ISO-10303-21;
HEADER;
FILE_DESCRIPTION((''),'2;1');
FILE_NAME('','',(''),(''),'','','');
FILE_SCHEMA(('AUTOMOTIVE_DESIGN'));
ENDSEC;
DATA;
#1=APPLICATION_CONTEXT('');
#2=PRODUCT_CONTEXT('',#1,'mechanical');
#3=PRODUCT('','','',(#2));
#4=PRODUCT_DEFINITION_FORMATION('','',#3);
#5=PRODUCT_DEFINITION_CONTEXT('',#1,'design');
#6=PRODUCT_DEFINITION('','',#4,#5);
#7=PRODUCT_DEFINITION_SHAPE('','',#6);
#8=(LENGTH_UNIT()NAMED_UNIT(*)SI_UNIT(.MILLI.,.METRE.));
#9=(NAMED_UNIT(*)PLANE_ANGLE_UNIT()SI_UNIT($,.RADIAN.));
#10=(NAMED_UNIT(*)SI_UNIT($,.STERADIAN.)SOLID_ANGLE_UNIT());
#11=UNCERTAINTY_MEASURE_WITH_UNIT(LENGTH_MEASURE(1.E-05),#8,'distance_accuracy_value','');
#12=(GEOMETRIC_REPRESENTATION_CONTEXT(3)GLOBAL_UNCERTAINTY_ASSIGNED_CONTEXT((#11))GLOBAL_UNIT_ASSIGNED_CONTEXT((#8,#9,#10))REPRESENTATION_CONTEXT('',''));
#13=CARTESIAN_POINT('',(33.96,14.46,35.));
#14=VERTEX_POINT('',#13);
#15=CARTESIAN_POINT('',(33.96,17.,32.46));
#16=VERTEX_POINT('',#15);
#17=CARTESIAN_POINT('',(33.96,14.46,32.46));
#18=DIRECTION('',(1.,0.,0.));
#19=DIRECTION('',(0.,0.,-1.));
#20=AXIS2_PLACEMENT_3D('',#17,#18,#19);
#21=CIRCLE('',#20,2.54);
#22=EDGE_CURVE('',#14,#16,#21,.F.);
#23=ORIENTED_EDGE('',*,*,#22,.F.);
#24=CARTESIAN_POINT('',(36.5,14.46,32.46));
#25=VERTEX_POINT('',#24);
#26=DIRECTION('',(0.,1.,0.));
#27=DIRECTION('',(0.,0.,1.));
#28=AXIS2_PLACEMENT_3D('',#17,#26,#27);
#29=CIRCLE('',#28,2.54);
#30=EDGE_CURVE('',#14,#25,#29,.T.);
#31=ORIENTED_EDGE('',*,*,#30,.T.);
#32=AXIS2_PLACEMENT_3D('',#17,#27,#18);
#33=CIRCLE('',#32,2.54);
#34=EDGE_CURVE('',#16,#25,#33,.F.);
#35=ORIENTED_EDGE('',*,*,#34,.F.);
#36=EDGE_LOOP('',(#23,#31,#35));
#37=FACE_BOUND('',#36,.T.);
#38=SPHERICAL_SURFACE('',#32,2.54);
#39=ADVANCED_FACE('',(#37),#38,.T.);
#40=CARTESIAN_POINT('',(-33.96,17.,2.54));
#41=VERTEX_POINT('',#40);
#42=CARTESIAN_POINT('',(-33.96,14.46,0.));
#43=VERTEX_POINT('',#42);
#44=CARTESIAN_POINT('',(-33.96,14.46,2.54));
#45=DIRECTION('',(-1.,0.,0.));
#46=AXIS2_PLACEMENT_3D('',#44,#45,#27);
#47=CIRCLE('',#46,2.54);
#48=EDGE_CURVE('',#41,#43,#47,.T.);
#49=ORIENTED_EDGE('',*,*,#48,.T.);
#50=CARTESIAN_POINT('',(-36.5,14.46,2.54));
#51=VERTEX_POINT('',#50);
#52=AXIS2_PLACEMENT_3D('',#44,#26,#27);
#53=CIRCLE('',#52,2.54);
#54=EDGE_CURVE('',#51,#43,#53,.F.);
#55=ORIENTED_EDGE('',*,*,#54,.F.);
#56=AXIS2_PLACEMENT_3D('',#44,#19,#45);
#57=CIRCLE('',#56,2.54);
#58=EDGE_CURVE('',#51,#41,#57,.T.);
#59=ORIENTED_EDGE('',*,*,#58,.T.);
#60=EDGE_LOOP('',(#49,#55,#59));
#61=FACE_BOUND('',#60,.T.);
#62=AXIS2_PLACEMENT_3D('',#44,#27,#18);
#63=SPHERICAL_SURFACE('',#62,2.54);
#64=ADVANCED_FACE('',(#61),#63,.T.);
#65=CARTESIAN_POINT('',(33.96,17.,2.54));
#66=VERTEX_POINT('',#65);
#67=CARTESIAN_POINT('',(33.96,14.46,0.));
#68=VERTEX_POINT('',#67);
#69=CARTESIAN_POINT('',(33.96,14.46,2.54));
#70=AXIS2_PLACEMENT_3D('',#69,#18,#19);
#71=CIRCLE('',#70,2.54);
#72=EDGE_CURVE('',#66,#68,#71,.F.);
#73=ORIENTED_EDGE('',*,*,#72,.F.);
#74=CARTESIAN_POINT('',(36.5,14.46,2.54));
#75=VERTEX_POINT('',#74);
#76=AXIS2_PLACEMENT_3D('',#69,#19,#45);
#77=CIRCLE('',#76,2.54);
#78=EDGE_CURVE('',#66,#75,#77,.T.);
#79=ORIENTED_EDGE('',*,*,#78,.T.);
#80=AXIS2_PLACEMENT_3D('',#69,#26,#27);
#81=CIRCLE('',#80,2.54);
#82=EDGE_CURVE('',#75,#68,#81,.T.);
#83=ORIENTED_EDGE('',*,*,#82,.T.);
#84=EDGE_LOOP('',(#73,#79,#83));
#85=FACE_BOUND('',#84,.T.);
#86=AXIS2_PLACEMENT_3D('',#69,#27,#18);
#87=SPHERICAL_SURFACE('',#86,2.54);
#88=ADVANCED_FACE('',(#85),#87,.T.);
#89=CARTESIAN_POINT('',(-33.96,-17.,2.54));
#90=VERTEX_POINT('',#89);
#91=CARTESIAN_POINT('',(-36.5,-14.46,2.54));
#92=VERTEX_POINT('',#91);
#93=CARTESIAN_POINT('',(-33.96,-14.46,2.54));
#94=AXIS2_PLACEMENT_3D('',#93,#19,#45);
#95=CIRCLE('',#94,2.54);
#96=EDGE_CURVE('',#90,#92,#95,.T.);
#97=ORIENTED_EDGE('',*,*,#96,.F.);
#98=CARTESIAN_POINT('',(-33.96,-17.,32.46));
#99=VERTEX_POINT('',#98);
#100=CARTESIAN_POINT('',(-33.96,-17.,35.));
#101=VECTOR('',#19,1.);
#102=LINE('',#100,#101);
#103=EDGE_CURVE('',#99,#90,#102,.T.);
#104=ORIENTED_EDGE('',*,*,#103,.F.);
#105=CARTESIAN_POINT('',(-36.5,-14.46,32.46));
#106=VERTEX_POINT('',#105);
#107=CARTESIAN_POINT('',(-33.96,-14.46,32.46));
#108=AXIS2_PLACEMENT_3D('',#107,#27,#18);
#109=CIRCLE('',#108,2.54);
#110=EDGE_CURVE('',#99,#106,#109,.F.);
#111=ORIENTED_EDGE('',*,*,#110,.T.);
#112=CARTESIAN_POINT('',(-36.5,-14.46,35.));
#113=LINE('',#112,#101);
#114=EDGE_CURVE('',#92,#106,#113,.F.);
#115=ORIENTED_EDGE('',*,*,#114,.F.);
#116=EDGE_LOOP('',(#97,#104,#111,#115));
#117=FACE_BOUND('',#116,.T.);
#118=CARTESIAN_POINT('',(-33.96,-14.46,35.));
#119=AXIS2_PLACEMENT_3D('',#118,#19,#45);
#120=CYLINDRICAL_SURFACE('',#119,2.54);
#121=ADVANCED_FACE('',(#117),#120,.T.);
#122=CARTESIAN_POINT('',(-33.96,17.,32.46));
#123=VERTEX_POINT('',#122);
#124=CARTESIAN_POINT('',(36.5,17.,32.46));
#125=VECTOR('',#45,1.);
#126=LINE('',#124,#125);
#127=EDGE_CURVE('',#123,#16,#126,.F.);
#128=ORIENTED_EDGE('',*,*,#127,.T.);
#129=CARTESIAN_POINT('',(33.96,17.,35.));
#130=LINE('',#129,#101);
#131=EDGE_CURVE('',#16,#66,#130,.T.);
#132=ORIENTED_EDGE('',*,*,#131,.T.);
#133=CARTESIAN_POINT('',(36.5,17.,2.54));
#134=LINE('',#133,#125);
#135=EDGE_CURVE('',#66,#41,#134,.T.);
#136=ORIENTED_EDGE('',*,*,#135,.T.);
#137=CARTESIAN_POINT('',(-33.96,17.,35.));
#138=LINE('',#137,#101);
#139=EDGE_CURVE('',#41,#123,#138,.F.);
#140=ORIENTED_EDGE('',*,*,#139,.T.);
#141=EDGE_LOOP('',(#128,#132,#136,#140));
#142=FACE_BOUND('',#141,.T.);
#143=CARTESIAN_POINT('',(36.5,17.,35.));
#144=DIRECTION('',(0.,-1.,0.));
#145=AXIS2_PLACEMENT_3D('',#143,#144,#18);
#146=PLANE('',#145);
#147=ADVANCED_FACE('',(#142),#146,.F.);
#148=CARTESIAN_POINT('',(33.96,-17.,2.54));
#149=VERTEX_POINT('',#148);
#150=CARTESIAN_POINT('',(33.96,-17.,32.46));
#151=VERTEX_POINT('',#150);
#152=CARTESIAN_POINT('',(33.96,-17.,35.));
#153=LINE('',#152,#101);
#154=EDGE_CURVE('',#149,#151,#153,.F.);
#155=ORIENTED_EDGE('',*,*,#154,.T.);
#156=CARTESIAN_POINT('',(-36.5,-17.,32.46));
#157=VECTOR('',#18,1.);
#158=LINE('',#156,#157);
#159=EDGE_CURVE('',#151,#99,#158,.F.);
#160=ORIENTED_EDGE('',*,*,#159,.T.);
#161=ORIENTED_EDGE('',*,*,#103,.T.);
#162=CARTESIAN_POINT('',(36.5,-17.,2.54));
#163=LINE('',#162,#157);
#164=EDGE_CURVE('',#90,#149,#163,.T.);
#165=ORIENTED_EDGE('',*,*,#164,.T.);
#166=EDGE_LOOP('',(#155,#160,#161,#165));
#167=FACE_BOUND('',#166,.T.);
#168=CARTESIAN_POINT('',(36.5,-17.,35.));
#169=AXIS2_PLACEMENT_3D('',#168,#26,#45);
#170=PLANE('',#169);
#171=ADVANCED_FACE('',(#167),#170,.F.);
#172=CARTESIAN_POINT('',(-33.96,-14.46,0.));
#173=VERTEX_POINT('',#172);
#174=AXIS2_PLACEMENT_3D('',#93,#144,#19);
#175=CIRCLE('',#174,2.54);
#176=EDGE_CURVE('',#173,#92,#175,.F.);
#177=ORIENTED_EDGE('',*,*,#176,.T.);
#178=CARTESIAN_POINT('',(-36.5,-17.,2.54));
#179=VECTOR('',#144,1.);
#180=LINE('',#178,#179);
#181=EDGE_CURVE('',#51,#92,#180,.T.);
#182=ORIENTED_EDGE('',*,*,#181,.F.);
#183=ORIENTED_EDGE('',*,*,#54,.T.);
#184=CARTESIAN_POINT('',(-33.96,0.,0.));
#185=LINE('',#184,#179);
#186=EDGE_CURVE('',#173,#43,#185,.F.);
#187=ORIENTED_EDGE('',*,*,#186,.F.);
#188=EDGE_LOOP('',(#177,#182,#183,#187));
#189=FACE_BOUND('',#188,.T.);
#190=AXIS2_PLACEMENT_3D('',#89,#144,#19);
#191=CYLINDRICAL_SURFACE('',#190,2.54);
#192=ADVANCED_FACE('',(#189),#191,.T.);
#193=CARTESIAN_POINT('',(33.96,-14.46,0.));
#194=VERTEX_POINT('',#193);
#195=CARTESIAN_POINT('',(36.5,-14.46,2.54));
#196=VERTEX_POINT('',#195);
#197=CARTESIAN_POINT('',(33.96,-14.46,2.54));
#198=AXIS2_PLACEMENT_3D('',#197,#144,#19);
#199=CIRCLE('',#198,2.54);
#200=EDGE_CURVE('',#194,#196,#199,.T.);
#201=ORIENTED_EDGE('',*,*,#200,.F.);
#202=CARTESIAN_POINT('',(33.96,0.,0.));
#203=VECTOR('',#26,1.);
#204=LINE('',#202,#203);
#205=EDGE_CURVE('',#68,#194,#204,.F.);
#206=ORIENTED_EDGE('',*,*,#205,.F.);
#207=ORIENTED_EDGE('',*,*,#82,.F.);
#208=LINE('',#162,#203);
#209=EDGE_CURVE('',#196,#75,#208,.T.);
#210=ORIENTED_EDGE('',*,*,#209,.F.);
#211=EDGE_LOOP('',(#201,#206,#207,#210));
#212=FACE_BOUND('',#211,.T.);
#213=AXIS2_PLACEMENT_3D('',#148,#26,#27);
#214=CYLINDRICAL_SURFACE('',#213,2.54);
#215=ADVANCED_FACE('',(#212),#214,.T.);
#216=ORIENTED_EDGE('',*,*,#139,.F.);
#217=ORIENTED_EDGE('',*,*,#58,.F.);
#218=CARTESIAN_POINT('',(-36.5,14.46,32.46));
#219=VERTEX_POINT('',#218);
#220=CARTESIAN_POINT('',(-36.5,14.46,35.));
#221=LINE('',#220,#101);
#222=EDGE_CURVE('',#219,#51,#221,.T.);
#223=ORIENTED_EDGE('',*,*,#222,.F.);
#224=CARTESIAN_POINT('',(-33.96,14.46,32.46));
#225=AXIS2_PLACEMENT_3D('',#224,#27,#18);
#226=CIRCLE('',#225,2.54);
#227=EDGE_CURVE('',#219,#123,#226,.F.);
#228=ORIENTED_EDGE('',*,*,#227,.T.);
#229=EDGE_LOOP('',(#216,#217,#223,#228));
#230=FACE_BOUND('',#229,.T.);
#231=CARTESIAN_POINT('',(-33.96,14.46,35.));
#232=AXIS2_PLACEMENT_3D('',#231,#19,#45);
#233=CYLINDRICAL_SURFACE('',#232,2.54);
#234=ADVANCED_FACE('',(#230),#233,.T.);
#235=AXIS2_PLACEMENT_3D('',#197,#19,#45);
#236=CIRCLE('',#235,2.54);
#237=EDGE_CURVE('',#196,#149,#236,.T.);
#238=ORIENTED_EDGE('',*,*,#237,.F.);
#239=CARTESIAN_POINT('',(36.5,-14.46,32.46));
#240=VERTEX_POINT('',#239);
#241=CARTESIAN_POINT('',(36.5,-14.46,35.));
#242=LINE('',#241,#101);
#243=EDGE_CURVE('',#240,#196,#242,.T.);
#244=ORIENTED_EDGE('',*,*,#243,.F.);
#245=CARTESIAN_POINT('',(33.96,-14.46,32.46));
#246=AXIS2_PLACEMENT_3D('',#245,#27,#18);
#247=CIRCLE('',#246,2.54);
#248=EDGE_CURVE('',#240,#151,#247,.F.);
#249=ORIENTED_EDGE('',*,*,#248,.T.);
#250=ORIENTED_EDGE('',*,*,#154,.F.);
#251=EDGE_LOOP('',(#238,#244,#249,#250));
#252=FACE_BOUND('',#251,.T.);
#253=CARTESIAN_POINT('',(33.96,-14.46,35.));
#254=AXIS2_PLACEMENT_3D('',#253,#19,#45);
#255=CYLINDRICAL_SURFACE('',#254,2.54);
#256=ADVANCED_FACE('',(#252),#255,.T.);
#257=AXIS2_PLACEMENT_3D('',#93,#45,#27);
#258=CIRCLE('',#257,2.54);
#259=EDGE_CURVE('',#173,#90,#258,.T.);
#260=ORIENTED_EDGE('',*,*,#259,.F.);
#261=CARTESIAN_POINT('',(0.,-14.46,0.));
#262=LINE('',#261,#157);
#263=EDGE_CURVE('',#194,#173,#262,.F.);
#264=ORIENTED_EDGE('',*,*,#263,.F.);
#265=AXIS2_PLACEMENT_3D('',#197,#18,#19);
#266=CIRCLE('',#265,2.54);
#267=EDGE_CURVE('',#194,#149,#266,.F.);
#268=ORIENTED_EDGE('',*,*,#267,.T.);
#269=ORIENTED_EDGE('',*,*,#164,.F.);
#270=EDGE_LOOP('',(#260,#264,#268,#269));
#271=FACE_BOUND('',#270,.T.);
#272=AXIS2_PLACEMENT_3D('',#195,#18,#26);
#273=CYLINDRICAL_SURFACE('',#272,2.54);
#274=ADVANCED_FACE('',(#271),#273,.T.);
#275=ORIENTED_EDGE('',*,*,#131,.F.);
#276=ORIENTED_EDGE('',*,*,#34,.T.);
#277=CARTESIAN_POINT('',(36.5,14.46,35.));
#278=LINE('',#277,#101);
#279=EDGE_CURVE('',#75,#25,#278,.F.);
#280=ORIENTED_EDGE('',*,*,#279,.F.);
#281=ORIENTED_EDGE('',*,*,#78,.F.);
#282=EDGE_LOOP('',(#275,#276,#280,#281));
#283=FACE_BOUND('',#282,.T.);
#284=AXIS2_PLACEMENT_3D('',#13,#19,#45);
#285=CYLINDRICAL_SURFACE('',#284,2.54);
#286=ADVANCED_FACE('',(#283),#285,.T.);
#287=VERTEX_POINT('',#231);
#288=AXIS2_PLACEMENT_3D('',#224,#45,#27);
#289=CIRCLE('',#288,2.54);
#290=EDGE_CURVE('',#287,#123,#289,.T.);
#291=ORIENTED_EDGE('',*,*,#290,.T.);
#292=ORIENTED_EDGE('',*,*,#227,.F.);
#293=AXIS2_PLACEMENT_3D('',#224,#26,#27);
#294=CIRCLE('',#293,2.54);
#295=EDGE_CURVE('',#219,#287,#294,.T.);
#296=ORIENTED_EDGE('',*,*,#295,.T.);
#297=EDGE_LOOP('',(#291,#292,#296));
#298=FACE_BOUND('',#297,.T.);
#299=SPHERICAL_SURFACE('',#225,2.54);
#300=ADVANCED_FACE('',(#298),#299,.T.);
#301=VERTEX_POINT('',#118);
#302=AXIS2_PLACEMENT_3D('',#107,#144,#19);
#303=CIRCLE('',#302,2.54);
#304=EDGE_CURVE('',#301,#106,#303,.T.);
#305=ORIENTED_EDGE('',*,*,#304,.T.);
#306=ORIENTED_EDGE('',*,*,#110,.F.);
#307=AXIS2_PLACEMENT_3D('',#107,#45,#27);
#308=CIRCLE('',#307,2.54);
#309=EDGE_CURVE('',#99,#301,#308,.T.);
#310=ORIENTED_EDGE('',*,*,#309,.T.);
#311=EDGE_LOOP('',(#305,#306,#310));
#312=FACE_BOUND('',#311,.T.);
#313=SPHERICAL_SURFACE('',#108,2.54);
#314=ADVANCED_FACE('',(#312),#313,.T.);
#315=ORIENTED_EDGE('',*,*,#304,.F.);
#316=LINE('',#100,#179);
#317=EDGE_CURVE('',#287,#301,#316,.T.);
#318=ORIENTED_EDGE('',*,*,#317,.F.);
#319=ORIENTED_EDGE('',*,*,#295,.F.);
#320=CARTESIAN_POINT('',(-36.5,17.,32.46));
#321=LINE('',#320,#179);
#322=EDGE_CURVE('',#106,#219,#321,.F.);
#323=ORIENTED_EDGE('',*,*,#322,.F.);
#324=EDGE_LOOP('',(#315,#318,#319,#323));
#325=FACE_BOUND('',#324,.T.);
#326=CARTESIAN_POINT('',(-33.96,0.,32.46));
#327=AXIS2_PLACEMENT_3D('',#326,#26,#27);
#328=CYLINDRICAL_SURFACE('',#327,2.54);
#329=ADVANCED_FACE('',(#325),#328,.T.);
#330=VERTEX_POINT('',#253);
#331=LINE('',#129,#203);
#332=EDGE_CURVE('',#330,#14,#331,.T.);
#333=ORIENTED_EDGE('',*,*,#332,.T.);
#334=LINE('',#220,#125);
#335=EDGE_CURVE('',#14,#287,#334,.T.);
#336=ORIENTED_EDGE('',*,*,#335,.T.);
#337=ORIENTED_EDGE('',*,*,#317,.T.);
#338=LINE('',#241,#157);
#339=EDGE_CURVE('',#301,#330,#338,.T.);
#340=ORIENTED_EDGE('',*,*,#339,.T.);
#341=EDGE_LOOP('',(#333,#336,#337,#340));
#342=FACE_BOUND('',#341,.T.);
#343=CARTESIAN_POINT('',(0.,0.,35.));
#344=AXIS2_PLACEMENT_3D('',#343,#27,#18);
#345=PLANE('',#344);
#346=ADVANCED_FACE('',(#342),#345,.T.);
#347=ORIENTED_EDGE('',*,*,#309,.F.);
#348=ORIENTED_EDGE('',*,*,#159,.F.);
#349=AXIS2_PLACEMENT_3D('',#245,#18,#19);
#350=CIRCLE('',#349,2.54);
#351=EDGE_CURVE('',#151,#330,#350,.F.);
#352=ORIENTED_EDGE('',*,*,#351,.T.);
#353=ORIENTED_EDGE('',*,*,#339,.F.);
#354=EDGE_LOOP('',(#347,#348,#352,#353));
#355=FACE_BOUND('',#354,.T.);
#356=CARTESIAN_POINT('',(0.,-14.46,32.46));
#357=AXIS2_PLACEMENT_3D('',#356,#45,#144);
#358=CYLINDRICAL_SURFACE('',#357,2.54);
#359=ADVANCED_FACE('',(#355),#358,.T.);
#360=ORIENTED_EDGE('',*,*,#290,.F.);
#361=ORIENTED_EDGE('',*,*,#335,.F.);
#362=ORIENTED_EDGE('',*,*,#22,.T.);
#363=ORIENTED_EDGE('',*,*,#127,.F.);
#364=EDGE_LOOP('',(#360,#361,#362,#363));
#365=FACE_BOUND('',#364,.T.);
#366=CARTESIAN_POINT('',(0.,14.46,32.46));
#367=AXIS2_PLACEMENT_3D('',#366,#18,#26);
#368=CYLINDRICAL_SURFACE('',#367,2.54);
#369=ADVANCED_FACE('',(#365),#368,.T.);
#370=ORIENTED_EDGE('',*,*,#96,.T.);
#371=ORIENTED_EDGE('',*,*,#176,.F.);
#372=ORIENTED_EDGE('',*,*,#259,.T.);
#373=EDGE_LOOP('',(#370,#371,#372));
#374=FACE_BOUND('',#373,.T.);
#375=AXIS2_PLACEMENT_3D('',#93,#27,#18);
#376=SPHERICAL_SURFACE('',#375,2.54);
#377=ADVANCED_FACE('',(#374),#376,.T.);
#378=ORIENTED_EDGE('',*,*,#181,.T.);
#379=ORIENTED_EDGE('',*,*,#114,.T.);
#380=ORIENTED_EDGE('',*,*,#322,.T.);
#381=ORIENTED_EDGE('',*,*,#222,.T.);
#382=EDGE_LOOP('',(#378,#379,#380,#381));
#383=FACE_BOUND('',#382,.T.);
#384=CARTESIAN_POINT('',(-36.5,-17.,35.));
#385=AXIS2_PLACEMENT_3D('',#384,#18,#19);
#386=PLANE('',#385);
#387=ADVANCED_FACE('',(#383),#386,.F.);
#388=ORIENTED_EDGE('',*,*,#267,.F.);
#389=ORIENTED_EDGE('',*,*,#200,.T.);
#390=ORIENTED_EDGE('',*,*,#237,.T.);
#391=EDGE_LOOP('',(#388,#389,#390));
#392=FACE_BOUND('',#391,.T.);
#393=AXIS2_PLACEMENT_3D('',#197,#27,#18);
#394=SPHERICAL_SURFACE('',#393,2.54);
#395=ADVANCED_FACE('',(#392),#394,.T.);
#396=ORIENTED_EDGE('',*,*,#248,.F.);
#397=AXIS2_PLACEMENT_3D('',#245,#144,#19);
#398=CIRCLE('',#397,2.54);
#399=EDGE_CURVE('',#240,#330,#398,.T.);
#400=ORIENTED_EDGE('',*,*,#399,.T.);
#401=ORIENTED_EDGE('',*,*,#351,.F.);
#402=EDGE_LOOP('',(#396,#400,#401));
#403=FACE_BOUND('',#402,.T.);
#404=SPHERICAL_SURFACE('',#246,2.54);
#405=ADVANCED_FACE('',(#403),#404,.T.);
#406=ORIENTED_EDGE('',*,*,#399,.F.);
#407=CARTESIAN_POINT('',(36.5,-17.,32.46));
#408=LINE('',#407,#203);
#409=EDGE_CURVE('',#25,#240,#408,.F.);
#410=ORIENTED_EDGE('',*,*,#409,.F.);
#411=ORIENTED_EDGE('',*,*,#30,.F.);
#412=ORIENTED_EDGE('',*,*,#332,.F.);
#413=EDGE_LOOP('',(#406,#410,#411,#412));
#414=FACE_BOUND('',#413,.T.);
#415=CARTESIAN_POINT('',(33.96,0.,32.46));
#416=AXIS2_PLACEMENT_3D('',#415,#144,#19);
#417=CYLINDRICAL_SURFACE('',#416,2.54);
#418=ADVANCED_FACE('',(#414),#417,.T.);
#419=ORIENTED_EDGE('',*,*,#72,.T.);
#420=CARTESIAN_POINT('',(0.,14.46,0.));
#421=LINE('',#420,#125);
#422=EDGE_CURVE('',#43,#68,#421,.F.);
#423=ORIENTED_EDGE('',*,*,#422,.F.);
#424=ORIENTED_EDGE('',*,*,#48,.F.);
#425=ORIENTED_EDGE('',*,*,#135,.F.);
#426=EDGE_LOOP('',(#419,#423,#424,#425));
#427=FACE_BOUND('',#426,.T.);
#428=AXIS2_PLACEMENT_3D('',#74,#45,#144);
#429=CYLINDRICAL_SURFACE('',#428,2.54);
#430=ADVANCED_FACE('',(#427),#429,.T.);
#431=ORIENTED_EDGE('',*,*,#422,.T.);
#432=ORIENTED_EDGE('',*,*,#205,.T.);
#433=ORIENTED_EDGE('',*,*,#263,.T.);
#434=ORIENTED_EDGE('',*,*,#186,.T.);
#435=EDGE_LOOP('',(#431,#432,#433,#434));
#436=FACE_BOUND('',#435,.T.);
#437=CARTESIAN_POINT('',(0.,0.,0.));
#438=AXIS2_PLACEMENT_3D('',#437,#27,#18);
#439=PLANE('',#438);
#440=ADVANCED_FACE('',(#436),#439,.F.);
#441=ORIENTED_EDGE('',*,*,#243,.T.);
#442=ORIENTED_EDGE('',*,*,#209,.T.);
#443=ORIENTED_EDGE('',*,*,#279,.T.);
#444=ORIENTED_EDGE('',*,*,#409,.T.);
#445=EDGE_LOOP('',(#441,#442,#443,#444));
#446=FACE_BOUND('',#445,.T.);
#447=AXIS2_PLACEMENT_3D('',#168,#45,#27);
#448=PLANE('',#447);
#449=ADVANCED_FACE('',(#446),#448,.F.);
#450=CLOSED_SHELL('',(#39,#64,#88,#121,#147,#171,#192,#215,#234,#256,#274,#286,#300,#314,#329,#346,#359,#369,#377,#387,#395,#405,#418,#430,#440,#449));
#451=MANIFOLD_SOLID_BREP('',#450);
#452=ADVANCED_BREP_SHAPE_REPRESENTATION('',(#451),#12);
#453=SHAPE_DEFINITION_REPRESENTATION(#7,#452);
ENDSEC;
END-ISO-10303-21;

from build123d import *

# Parameters (mm, degrees)
SKETCH1_W           = 73
SKETCH1_H           = 34
BOSS_EXTRUDE1_DEPTH = 35
FILLET1_R           = 2.54


with BuildPart() as part:
    # Sketch1 → Boss-Extrude1 (new body)
    with BuildSketch(Plane.XY):
        Rectangle(SKETCH1_W, SKETCH1_H)
    extrude(amount=BOSS_EXTRUDE1_DEPTH)

    # Fillet1
    fillet1_edges = [part.edges().sort_by_distance(p)[0] for p in [
        (36.5, 0, 35),
        (0, 17, 35),
        (-36.5, 0, 35),
        (0, 17, 0),
        (36.5, 0, 0),
        (0, -17, 0),
        (-36.5, 0, 0),
        (0, -17, 35),
        (-36.5, 17, 17.5),
        (36.5, 17, 17.5),
        (36.5, -17, 17.5),
        (-36.5, -17, 17.5),
    ]]
    fillet(fillet1_edges, radius=FILLET1_R)


solid = part.part
